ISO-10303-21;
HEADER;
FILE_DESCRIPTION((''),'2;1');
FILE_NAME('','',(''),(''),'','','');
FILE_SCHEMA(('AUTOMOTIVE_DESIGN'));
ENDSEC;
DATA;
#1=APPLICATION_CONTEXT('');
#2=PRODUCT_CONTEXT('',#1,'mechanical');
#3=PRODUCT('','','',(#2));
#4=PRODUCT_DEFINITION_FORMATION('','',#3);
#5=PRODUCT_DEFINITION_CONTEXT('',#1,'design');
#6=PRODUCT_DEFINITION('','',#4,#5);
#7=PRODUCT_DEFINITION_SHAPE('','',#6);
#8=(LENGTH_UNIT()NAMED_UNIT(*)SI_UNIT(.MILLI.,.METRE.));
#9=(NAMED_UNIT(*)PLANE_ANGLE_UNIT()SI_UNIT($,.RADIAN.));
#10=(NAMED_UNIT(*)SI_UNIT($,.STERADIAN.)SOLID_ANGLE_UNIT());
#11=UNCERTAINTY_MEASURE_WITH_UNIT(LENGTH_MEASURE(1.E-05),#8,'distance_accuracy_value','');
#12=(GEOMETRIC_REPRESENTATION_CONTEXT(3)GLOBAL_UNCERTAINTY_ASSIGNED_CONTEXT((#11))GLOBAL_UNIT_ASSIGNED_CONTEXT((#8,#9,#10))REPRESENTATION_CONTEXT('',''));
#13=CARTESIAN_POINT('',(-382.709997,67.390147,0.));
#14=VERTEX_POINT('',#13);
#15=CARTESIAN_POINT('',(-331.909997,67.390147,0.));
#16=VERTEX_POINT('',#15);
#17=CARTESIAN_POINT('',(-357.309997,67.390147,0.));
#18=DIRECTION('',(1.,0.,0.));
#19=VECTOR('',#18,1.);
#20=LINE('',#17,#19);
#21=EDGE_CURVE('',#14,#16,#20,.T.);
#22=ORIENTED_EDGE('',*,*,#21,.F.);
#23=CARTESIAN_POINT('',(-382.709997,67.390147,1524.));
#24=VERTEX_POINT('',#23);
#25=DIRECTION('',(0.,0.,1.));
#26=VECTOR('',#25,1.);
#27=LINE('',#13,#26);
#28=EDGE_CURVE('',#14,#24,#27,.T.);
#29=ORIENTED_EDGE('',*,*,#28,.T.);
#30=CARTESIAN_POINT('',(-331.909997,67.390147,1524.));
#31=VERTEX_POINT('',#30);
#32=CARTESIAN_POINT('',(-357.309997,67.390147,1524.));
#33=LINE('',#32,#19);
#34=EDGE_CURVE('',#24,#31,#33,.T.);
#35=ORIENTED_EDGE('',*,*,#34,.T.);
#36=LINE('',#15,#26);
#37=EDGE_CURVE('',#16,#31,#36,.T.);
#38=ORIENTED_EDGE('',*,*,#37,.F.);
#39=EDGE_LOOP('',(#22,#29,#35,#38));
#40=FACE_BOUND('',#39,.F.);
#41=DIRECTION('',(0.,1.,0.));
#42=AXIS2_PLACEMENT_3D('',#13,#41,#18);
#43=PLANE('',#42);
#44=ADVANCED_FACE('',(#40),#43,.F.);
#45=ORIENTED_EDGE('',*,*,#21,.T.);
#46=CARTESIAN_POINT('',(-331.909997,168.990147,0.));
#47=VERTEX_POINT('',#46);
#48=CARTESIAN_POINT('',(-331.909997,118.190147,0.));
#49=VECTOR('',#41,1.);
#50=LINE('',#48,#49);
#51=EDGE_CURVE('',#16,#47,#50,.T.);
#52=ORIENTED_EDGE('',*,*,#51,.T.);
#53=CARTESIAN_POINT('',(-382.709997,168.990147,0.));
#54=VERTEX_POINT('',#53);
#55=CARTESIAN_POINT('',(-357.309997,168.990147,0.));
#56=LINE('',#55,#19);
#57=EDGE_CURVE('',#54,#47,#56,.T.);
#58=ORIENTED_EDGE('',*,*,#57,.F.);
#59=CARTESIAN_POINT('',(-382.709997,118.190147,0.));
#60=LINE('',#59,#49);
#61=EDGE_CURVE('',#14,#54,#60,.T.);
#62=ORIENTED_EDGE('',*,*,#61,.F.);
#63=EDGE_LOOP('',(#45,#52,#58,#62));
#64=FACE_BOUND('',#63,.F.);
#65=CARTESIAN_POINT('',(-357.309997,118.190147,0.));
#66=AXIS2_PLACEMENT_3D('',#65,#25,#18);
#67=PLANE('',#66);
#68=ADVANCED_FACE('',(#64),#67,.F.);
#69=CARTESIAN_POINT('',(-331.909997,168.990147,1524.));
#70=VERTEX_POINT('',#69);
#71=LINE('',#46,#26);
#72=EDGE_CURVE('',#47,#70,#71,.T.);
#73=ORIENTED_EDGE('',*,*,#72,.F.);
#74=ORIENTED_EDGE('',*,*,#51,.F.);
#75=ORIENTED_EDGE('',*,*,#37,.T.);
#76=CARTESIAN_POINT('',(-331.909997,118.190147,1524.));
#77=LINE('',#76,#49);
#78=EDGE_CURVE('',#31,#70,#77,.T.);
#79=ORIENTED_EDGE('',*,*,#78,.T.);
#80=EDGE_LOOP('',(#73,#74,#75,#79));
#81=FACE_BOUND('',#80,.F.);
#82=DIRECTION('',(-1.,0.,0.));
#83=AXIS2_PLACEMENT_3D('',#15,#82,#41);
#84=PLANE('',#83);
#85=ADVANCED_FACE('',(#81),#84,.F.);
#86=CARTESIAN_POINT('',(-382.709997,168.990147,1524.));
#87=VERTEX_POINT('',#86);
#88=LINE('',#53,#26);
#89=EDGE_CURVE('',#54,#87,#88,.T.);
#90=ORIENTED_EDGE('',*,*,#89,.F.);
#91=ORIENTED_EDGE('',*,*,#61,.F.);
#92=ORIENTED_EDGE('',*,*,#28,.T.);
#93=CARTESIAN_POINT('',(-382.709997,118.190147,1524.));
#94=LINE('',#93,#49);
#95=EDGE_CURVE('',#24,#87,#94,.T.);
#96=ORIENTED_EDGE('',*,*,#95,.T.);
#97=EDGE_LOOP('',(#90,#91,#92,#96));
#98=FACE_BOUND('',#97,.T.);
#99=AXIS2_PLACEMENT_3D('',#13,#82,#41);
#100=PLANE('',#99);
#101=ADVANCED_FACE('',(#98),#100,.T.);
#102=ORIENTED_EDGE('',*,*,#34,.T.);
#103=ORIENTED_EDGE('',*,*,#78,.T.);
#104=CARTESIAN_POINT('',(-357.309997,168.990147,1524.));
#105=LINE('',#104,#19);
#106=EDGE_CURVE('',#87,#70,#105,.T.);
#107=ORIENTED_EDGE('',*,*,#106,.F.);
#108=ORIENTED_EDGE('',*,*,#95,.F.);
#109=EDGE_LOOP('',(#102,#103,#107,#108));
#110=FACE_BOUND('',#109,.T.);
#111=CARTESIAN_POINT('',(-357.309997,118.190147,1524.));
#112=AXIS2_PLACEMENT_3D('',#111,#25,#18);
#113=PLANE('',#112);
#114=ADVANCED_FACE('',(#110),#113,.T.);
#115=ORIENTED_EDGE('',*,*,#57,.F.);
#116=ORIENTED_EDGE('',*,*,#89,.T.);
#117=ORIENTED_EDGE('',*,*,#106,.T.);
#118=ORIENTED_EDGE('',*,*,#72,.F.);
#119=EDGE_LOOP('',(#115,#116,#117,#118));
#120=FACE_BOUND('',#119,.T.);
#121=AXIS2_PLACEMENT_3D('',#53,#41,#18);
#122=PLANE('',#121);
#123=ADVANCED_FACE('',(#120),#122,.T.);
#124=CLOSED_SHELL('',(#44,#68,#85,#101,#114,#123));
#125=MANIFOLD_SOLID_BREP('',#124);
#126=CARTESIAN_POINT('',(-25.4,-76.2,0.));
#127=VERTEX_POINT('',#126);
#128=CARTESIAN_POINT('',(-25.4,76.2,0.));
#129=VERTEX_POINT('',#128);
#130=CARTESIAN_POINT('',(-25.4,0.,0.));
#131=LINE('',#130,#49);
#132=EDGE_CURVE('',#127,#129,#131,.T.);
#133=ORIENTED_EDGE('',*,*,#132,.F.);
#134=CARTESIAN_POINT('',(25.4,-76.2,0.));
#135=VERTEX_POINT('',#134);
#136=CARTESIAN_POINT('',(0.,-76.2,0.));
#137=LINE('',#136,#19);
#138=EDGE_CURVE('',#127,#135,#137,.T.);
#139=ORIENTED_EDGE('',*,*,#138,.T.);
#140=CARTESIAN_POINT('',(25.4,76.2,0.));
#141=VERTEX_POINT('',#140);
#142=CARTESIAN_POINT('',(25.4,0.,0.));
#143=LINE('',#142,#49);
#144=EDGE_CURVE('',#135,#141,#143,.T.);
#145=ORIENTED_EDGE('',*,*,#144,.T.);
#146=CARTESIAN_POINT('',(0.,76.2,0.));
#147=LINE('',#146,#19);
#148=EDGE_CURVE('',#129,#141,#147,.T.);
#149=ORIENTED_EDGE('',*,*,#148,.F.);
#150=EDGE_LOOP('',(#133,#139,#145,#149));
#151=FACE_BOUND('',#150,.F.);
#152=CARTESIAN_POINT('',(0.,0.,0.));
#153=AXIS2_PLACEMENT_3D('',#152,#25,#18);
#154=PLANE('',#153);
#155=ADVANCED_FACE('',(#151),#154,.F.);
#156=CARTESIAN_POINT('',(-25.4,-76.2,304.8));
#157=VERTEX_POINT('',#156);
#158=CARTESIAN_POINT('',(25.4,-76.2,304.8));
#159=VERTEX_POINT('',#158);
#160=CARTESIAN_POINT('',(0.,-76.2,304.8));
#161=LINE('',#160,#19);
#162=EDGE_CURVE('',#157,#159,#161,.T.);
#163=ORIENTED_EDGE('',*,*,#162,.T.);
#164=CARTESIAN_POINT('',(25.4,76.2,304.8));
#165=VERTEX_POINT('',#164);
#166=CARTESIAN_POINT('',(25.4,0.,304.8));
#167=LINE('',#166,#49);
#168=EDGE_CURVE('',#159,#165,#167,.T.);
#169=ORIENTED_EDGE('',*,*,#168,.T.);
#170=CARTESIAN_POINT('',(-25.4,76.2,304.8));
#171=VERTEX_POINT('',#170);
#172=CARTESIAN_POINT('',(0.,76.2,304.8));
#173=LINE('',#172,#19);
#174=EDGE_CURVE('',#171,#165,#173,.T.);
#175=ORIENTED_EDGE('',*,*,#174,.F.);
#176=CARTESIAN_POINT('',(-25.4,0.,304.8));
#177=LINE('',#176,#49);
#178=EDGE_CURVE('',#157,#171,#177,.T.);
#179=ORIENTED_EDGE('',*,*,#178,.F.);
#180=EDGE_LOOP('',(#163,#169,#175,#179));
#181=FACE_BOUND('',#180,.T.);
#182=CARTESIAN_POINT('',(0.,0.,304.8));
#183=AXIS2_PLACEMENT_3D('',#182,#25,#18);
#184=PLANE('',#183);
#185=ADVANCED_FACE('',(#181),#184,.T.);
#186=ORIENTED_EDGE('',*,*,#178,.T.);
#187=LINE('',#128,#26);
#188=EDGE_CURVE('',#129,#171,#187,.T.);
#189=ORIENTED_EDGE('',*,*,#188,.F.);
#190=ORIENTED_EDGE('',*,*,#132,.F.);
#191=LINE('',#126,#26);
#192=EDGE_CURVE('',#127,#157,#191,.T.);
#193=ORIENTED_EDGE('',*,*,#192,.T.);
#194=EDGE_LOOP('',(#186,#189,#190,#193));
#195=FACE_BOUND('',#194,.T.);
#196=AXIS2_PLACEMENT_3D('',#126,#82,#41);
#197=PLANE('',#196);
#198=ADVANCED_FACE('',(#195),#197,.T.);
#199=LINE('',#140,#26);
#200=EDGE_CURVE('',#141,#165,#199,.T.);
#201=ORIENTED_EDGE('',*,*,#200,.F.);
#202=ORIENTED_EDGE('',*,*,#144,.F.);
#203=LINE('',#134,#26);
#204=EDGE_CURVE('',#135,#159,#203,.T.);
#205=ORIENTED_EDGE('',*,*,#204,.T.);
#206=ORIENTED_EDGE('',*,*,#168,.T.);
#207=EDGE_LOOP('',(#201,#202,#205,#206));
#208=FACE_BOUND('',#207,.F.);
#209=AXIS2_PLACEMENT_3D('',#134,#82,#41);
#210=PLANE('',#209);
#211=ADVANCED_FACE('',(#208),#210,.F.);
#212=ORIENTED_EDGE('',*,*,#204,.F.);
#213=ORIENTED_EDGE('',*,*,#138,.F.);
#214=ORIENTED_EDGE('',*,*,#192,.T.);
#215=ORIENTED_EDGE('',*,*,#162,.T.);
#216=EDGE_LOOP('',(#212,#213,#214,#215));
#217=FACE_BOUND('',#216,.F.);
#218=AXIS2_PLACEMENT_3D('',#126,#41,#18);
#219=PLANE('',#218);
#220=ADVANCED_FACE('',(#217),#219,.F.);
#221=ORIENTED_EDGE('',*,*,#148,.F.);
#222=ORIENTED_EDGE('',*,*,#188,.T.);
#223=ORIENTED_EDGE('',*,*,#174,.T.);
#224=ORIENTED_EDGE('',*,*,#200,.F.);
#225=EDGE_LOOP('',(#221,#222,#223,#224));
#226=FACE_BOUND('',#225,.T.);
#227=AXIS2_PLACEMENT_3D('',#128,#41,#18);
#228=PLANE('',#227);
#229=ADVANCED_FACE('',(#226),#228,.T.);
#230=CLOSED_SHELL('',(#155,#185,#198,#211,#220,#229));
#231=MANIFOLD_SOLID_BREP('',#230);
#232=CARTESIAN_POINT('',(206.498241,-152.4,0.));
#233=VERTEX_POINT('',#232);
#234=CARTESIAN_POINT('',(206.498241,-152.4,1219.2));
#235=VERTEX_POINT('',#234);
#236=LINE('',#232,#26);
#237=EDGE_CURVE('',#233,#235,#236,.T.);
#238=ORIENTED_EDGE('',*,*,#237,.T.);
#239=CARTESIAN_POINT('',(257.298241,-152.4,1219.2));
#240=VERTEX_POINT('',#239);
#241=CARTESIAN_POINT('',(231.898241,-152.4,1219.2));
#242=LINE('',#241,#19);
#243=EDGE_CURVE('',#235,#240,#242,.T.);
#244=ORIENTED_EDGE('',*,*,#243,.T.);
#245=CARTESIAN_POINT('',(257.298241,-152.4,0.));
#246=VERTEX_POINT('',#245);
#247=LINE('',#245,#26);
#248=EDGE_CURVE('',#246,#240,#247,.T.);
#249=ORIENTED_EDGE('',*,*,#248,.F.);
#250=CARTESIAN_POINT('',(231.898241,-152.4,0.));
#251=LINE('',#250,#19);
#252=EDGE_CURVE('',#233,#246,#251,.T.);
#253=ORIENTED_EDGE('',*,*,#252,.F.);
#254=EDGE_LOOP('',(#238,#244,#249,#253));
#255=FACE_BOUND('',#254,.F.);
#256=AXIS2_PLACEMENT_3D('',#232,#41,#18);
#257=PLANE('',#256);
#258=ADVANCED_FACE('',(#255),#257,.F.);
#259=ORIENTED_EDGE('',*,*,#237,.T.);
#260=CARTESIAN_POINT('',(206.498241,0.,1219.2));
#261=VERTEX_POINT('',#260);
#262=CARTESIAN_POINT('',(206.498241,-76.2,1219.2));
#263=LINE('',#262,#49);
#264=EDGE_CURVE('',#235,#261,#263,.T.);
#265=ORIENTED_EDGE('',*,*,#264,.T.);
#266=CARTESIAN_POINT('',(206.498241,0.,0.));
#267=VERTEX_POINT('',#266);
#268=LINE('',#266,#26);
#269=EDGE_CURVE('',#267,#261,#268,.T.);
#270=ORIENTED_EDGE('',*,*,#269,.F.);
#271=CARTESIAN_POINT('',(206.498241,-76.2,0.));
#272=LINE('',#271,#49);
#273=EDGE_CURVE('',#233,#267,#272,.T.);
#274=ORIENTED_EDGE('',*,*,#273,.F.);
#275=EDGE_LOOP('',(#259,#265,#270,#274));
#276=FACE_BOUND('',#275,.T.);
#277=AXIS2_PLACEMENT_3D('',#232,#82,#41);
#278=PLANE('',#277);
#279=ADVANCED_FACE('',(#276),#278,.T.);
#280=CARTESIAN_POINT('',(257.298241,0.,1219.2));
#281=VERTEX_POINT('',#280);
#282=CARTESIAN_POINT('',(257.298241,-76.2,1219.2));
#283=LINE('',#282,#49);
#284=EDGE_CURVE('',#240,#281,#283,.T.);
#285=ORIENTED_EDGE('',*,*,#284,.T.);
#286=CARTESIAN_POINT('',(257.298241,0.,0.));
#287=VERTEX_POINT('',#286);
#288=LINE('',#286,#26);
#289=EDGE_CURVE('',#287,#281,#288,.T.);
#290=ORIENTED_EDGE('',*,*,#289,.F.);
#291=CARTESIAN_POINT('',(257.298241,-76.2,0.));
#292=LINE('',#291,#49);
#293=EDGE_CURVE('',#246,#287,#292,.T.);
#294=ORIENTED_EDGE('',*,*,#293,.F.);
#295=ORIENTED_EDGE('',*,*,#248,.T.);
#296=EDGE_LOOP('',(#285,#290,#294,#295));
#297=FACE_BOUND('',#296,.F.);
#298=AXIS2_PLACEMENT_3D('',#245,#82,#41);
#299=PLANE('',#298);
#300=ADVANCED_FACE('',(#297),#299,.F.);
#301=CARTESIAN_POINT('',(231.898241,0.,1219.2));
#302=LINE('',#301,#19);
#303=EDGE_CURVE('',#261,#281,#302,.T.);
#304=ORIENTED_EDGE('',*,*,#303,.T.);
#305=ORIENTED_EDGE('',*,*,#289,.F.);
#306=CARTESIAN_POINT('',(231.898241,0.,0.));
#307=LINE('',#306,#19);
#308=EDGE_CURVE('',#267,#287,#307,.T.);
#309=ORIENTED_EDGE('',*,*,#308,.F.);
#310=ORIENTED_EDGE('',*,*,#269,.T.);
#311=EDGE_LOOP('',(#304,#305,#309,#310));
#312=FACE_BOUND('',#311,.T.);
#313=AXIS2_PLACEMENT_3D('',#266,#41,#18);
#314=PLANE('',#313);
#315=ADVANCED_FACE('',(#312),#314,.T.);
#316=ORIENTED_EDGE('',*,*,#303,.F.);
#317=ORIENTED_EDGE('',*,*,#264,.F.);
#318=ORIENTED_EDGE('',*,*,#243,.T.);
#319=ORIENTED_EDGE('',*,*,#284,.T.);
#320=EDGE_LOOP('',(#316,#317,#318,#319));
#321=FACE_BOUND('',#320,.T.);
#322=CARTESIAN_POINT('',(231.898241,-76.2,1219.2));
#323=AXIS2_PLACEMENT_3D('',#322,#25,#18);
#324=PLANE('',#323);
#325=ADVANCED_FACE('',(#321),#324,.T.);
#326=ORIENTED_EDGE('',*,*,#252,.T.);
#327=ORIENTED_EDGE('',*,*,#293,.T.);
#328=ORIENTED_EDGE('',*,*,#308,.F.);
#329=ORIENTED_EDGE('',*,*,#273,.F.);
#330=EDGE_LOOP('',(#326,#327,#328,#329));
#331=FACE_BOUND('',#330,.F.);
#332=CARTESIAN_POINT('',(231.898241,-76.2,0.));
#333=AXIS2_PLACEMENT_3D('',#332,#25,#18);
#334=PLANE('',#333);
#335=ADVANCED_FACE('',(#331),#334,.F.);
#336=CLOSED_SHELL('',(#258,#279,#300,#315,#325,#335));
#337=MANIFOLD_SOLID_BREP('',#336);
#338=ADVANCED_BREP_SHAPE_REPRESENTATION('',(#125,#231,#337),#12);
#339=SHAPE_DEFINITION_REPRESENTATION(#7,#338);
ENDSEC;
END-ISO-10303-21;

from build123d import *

# Parameters (mm, degrees)
F0_W     = 50.8
F0_H     = 152.4
F1_DEPTH = 304.8
F2_W     = 50.8
F2_H     = 152.4
F3_DEPTH = 1219.2
F4_W     = 50.8
F4_H     = 101.6
F5_DEPTH = 1524


with BuildPart() as f1:
    # F0 (on Top) → F1 (new body)
    with BuildSketch(Plane.XY):
        Rectangle(F0_W, F0_H)
    extrude(amount=F1_DEPTH)


with BuildPart() as f3:
    # F2 (on Top) → F3 (new body)
    with BuildSketch(Plane.XY):
        with Locations((231.898241, -76.2)):
            Rectangle(F2_W, F2_H)
    extrude(amount=F3_DEPTH)


with BuildPart() as f5:
    # F4 (on Top) → F5 (new body)
    with BuildSketch(Plane.XY):
        with Locations((-357.309997, 118.190147)):
            Rectangle(F4_W, F4_H)
    extrude(amount=F5_DEPTH)


solid = Compound([f1.part, f3.part, f5.part])
